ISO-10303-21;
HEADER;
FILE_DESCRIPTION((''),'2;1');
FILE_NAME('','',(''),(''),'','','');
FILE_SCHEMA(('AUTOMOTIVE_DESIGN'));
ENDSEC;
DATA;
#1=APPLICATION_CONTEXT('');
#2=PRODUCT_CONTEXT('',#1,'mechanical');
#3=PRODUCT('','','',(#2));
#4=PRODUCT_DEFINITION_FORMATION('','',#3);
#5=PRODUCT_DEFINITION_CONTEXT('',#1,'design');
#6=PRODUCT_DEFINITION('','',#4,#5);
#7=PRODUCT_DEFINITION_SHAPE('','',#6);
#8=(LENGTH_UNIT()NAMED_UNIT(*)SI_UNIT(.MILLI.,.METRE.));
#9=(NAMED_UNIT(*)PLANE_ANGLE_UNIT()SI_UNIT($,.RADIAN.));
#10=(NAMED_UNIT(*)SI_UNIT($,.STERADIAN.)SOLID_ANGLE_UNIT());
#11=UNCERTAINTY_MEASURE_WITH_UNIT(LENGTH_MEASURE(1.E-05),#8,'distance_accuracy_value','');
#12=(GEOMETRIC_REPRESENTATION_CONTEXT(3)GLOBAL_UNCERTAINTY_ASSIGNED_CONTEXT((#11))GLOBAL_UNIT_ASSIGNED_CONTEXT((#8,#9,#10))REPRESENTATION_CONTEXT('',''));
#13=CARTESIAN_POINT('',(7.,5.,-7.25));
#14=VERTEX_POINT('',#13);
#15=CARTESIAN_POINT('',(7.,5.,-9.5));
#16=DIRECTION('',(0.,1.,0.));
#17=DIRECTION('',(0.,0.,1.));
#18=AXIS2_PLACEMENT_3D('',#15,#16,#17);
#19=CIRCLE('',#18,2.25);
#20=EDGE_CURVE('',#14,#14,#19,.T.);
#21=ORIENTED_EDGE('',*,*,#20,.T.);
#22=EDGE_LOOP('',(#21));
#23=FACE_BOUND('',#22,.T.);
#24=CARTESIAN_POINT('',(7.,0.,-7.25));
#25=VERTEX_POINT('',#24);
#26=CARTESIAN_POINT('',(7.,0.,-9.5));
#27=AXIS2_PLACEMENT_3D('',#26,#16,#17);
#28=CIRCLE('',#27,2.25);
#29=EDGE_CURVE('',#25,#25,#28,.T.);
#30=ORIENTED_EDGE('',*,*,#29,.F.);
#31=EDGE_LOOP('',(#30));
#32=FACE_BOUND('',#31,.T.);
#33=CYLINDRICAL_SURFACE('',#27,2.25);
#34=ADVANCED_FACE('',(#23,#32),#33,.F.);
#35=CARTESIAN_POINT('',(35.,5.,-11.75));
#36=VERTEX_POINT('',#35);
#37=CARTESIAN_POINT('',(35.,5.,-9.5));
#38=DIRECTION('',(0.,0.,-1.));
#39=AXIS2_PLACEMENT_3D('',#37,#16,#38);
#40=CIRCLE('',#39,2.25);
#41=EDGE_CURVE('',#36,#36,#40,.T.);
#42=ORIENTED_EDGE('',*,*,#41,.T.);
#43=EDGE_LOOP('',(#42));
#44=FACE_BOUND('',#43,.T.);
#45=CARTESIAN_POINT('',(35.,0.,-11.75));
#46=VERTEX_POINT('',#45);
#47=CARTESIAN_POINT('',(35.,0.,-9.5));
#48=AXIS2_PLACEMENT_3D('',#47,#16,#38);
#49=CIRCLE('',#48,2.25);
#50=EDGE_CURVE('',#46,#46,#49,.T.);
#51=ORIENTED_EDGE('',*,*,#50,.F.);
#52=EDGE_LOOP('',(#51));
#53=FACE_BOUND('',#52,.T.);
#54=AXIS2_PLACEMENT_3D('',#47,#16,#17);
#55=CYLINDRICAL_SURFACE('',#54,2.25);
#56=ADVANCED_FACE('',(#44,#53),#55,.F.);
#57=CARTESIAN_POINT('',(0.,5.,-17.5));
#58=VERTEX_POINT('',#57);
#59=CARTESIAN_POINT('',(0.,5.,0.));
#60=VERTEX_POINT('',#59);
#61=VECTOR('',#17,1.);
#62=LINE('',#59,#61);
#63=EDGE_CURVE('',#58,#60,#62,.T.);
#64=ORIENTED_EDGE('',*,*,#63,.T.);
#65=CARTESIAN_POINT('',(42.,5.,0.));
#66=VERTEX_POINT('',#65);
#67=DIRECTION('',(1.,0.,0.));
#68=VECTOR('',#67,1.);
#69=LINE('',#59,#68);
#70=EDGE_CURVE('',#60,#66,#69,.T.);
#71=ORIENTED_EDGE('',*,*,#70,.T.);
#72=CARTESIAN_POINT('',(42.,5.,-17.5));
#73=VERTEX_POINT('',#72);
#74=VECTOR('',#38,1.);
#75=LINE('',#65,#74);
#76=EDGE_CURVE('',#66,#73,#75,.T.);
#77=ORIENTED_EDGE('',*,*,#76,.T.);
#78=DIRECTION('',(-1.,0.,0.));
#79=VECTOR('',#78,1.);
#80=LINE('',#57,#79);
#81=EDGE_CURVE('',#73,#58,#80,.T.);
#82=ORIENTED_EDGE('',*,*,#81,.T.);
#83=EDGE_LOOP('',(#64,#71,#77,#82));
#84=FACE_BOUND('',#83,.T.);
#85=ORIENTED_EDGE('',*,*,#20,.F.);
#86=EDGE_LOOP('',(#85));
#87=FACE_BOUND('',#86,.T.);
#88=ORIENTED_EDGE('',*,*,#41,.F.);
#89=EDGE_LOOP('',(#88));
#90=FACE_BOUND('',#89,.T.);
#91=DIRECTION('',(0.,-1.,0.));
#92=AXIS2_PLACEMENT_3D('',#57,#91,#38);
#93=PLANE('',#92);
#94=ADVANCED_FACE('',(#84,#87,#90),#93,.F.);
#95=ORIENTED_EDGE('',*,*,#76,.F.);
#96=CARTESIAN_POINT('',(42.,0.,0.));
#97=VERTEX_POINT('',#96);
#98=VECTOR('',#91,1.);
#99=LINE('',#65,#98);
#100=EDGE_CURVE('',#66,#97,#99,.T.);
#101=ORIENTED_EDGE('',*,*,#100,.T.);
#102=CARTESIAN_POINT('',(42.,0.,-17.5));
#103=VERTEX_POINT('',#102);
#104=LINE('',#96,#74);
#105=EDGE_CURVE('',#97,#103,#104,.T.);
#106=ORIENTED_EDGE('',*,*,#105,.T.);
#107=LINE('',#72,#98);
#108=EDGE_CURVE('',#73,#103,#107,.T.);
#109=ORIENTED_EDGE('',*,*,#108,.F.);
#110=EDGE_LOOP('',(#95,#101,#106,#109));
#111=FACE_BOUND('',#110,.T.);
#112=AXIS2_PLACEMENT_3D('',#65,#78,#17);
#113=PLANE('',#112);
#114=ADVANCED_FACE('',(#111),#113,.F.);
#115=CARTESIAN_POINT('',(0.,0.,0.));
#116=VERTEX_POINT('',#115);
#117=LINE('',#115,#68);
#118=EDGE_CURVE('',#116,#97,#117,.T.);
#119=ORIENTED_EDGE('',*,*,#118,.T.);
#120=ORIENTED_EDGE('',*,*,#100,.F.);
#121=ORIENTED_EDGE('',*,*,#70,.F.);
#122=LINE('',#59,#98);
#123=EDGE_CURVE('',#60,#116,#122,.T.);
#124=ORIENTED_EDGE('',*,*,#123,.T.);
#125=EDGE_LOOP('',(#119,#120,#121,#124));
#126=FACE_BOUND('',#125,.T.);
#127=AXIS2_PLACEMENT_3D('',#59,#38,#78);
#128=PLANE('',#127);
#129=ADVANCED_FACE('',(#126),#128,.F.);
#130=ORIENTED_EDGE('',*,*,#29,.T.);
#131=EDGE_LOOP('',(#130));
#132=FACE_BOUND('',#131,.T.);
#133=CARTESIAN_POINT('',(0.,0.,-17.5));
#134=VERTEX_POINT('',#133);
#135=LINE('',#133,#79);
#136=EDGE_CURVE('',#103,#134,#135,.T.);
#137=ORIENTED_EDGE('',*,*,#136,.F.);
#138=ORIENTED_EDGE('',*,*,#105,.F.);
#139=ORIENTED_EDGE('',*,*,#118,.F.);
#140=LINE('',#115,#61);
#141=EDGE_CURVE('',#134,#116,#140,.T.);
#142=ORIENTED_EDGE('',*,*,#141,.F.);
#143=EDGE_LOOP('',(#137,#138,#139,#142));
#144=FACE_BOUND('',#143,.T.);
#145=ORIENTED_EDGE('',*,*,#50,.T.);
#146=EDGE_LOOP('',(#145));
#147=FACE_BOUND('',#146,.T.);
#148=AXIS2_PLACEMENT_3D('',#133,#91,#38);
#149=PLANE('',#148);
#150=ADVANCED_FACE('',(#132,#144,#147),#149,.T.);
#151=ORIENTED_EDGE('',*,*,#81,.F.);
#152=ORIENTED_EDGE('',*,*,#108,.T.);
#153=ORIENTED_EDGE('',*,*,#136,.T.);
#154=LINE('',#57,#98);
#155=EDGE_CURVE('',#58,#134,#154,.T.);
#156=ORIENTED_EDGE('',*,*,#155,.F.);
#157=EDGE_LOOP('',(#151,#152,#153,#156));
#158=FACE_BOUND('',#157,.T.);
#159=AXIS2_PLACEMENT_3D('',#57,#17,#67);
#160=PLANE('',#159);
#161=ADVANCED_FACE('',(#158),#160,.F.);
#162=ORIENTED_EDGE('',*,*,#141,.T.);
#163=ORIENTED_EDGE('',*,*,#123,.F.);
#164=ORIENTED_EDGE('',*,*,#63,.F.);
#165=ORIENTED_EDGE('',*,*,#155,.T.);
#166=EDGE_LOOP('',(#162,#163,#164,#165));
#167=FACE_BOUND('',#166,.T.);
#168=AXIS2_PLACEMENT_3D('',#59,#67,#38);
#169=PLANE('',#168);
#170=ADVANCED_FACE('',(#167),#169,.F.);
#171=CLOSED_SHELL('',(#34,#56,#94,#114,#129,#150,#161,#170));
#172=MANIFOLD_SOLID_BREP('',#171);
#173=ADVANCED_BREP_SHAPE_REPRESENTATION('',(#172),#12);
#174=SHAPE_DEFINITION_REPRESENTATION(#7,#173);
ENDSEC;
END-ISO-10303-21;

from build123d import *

# Parameters (mm, degrees)
SKETCH1_W           = 42
SKETCH1_H           = 17.5
BOSS_EXTRUDE1_DEPTH = 5
SKETCH2_R           = 2.25
CUT_EXTRUDE1_DEPTH  = 6


with BuildPart() as part:
    # Sketch1 → Boss-Extrude1 (new body)
    with BuildSketch(Plane(origin=(0, 0, 0), x_dir=(1, 0, 0), z_dir=(0, 1, 0))):
        with Locations((21, 8.75)):
            Rectangle(SKETCH1_W, SKETCH1_H)
    extrude(amount=BOSS_EXTRUDE1_DEPTH)

    # Sketch2 → Cut-Extrude1 (cut, through all)
    with BuildSketch(Plane(origin=(0, 5, 0), x_dir=(1, 0, 0), z_dir=(0, 1, 0))):
        with Locations((7, 9.5)):
            Circle(SKETCH2_R)
        with Locations((35, 9.5)):
            Circle(SKETCH2_R)
    extrude(amount=-CUT_EXTRUDE1_DEPTH, mode=Mode.SUBTRACT)


solid = part.part
